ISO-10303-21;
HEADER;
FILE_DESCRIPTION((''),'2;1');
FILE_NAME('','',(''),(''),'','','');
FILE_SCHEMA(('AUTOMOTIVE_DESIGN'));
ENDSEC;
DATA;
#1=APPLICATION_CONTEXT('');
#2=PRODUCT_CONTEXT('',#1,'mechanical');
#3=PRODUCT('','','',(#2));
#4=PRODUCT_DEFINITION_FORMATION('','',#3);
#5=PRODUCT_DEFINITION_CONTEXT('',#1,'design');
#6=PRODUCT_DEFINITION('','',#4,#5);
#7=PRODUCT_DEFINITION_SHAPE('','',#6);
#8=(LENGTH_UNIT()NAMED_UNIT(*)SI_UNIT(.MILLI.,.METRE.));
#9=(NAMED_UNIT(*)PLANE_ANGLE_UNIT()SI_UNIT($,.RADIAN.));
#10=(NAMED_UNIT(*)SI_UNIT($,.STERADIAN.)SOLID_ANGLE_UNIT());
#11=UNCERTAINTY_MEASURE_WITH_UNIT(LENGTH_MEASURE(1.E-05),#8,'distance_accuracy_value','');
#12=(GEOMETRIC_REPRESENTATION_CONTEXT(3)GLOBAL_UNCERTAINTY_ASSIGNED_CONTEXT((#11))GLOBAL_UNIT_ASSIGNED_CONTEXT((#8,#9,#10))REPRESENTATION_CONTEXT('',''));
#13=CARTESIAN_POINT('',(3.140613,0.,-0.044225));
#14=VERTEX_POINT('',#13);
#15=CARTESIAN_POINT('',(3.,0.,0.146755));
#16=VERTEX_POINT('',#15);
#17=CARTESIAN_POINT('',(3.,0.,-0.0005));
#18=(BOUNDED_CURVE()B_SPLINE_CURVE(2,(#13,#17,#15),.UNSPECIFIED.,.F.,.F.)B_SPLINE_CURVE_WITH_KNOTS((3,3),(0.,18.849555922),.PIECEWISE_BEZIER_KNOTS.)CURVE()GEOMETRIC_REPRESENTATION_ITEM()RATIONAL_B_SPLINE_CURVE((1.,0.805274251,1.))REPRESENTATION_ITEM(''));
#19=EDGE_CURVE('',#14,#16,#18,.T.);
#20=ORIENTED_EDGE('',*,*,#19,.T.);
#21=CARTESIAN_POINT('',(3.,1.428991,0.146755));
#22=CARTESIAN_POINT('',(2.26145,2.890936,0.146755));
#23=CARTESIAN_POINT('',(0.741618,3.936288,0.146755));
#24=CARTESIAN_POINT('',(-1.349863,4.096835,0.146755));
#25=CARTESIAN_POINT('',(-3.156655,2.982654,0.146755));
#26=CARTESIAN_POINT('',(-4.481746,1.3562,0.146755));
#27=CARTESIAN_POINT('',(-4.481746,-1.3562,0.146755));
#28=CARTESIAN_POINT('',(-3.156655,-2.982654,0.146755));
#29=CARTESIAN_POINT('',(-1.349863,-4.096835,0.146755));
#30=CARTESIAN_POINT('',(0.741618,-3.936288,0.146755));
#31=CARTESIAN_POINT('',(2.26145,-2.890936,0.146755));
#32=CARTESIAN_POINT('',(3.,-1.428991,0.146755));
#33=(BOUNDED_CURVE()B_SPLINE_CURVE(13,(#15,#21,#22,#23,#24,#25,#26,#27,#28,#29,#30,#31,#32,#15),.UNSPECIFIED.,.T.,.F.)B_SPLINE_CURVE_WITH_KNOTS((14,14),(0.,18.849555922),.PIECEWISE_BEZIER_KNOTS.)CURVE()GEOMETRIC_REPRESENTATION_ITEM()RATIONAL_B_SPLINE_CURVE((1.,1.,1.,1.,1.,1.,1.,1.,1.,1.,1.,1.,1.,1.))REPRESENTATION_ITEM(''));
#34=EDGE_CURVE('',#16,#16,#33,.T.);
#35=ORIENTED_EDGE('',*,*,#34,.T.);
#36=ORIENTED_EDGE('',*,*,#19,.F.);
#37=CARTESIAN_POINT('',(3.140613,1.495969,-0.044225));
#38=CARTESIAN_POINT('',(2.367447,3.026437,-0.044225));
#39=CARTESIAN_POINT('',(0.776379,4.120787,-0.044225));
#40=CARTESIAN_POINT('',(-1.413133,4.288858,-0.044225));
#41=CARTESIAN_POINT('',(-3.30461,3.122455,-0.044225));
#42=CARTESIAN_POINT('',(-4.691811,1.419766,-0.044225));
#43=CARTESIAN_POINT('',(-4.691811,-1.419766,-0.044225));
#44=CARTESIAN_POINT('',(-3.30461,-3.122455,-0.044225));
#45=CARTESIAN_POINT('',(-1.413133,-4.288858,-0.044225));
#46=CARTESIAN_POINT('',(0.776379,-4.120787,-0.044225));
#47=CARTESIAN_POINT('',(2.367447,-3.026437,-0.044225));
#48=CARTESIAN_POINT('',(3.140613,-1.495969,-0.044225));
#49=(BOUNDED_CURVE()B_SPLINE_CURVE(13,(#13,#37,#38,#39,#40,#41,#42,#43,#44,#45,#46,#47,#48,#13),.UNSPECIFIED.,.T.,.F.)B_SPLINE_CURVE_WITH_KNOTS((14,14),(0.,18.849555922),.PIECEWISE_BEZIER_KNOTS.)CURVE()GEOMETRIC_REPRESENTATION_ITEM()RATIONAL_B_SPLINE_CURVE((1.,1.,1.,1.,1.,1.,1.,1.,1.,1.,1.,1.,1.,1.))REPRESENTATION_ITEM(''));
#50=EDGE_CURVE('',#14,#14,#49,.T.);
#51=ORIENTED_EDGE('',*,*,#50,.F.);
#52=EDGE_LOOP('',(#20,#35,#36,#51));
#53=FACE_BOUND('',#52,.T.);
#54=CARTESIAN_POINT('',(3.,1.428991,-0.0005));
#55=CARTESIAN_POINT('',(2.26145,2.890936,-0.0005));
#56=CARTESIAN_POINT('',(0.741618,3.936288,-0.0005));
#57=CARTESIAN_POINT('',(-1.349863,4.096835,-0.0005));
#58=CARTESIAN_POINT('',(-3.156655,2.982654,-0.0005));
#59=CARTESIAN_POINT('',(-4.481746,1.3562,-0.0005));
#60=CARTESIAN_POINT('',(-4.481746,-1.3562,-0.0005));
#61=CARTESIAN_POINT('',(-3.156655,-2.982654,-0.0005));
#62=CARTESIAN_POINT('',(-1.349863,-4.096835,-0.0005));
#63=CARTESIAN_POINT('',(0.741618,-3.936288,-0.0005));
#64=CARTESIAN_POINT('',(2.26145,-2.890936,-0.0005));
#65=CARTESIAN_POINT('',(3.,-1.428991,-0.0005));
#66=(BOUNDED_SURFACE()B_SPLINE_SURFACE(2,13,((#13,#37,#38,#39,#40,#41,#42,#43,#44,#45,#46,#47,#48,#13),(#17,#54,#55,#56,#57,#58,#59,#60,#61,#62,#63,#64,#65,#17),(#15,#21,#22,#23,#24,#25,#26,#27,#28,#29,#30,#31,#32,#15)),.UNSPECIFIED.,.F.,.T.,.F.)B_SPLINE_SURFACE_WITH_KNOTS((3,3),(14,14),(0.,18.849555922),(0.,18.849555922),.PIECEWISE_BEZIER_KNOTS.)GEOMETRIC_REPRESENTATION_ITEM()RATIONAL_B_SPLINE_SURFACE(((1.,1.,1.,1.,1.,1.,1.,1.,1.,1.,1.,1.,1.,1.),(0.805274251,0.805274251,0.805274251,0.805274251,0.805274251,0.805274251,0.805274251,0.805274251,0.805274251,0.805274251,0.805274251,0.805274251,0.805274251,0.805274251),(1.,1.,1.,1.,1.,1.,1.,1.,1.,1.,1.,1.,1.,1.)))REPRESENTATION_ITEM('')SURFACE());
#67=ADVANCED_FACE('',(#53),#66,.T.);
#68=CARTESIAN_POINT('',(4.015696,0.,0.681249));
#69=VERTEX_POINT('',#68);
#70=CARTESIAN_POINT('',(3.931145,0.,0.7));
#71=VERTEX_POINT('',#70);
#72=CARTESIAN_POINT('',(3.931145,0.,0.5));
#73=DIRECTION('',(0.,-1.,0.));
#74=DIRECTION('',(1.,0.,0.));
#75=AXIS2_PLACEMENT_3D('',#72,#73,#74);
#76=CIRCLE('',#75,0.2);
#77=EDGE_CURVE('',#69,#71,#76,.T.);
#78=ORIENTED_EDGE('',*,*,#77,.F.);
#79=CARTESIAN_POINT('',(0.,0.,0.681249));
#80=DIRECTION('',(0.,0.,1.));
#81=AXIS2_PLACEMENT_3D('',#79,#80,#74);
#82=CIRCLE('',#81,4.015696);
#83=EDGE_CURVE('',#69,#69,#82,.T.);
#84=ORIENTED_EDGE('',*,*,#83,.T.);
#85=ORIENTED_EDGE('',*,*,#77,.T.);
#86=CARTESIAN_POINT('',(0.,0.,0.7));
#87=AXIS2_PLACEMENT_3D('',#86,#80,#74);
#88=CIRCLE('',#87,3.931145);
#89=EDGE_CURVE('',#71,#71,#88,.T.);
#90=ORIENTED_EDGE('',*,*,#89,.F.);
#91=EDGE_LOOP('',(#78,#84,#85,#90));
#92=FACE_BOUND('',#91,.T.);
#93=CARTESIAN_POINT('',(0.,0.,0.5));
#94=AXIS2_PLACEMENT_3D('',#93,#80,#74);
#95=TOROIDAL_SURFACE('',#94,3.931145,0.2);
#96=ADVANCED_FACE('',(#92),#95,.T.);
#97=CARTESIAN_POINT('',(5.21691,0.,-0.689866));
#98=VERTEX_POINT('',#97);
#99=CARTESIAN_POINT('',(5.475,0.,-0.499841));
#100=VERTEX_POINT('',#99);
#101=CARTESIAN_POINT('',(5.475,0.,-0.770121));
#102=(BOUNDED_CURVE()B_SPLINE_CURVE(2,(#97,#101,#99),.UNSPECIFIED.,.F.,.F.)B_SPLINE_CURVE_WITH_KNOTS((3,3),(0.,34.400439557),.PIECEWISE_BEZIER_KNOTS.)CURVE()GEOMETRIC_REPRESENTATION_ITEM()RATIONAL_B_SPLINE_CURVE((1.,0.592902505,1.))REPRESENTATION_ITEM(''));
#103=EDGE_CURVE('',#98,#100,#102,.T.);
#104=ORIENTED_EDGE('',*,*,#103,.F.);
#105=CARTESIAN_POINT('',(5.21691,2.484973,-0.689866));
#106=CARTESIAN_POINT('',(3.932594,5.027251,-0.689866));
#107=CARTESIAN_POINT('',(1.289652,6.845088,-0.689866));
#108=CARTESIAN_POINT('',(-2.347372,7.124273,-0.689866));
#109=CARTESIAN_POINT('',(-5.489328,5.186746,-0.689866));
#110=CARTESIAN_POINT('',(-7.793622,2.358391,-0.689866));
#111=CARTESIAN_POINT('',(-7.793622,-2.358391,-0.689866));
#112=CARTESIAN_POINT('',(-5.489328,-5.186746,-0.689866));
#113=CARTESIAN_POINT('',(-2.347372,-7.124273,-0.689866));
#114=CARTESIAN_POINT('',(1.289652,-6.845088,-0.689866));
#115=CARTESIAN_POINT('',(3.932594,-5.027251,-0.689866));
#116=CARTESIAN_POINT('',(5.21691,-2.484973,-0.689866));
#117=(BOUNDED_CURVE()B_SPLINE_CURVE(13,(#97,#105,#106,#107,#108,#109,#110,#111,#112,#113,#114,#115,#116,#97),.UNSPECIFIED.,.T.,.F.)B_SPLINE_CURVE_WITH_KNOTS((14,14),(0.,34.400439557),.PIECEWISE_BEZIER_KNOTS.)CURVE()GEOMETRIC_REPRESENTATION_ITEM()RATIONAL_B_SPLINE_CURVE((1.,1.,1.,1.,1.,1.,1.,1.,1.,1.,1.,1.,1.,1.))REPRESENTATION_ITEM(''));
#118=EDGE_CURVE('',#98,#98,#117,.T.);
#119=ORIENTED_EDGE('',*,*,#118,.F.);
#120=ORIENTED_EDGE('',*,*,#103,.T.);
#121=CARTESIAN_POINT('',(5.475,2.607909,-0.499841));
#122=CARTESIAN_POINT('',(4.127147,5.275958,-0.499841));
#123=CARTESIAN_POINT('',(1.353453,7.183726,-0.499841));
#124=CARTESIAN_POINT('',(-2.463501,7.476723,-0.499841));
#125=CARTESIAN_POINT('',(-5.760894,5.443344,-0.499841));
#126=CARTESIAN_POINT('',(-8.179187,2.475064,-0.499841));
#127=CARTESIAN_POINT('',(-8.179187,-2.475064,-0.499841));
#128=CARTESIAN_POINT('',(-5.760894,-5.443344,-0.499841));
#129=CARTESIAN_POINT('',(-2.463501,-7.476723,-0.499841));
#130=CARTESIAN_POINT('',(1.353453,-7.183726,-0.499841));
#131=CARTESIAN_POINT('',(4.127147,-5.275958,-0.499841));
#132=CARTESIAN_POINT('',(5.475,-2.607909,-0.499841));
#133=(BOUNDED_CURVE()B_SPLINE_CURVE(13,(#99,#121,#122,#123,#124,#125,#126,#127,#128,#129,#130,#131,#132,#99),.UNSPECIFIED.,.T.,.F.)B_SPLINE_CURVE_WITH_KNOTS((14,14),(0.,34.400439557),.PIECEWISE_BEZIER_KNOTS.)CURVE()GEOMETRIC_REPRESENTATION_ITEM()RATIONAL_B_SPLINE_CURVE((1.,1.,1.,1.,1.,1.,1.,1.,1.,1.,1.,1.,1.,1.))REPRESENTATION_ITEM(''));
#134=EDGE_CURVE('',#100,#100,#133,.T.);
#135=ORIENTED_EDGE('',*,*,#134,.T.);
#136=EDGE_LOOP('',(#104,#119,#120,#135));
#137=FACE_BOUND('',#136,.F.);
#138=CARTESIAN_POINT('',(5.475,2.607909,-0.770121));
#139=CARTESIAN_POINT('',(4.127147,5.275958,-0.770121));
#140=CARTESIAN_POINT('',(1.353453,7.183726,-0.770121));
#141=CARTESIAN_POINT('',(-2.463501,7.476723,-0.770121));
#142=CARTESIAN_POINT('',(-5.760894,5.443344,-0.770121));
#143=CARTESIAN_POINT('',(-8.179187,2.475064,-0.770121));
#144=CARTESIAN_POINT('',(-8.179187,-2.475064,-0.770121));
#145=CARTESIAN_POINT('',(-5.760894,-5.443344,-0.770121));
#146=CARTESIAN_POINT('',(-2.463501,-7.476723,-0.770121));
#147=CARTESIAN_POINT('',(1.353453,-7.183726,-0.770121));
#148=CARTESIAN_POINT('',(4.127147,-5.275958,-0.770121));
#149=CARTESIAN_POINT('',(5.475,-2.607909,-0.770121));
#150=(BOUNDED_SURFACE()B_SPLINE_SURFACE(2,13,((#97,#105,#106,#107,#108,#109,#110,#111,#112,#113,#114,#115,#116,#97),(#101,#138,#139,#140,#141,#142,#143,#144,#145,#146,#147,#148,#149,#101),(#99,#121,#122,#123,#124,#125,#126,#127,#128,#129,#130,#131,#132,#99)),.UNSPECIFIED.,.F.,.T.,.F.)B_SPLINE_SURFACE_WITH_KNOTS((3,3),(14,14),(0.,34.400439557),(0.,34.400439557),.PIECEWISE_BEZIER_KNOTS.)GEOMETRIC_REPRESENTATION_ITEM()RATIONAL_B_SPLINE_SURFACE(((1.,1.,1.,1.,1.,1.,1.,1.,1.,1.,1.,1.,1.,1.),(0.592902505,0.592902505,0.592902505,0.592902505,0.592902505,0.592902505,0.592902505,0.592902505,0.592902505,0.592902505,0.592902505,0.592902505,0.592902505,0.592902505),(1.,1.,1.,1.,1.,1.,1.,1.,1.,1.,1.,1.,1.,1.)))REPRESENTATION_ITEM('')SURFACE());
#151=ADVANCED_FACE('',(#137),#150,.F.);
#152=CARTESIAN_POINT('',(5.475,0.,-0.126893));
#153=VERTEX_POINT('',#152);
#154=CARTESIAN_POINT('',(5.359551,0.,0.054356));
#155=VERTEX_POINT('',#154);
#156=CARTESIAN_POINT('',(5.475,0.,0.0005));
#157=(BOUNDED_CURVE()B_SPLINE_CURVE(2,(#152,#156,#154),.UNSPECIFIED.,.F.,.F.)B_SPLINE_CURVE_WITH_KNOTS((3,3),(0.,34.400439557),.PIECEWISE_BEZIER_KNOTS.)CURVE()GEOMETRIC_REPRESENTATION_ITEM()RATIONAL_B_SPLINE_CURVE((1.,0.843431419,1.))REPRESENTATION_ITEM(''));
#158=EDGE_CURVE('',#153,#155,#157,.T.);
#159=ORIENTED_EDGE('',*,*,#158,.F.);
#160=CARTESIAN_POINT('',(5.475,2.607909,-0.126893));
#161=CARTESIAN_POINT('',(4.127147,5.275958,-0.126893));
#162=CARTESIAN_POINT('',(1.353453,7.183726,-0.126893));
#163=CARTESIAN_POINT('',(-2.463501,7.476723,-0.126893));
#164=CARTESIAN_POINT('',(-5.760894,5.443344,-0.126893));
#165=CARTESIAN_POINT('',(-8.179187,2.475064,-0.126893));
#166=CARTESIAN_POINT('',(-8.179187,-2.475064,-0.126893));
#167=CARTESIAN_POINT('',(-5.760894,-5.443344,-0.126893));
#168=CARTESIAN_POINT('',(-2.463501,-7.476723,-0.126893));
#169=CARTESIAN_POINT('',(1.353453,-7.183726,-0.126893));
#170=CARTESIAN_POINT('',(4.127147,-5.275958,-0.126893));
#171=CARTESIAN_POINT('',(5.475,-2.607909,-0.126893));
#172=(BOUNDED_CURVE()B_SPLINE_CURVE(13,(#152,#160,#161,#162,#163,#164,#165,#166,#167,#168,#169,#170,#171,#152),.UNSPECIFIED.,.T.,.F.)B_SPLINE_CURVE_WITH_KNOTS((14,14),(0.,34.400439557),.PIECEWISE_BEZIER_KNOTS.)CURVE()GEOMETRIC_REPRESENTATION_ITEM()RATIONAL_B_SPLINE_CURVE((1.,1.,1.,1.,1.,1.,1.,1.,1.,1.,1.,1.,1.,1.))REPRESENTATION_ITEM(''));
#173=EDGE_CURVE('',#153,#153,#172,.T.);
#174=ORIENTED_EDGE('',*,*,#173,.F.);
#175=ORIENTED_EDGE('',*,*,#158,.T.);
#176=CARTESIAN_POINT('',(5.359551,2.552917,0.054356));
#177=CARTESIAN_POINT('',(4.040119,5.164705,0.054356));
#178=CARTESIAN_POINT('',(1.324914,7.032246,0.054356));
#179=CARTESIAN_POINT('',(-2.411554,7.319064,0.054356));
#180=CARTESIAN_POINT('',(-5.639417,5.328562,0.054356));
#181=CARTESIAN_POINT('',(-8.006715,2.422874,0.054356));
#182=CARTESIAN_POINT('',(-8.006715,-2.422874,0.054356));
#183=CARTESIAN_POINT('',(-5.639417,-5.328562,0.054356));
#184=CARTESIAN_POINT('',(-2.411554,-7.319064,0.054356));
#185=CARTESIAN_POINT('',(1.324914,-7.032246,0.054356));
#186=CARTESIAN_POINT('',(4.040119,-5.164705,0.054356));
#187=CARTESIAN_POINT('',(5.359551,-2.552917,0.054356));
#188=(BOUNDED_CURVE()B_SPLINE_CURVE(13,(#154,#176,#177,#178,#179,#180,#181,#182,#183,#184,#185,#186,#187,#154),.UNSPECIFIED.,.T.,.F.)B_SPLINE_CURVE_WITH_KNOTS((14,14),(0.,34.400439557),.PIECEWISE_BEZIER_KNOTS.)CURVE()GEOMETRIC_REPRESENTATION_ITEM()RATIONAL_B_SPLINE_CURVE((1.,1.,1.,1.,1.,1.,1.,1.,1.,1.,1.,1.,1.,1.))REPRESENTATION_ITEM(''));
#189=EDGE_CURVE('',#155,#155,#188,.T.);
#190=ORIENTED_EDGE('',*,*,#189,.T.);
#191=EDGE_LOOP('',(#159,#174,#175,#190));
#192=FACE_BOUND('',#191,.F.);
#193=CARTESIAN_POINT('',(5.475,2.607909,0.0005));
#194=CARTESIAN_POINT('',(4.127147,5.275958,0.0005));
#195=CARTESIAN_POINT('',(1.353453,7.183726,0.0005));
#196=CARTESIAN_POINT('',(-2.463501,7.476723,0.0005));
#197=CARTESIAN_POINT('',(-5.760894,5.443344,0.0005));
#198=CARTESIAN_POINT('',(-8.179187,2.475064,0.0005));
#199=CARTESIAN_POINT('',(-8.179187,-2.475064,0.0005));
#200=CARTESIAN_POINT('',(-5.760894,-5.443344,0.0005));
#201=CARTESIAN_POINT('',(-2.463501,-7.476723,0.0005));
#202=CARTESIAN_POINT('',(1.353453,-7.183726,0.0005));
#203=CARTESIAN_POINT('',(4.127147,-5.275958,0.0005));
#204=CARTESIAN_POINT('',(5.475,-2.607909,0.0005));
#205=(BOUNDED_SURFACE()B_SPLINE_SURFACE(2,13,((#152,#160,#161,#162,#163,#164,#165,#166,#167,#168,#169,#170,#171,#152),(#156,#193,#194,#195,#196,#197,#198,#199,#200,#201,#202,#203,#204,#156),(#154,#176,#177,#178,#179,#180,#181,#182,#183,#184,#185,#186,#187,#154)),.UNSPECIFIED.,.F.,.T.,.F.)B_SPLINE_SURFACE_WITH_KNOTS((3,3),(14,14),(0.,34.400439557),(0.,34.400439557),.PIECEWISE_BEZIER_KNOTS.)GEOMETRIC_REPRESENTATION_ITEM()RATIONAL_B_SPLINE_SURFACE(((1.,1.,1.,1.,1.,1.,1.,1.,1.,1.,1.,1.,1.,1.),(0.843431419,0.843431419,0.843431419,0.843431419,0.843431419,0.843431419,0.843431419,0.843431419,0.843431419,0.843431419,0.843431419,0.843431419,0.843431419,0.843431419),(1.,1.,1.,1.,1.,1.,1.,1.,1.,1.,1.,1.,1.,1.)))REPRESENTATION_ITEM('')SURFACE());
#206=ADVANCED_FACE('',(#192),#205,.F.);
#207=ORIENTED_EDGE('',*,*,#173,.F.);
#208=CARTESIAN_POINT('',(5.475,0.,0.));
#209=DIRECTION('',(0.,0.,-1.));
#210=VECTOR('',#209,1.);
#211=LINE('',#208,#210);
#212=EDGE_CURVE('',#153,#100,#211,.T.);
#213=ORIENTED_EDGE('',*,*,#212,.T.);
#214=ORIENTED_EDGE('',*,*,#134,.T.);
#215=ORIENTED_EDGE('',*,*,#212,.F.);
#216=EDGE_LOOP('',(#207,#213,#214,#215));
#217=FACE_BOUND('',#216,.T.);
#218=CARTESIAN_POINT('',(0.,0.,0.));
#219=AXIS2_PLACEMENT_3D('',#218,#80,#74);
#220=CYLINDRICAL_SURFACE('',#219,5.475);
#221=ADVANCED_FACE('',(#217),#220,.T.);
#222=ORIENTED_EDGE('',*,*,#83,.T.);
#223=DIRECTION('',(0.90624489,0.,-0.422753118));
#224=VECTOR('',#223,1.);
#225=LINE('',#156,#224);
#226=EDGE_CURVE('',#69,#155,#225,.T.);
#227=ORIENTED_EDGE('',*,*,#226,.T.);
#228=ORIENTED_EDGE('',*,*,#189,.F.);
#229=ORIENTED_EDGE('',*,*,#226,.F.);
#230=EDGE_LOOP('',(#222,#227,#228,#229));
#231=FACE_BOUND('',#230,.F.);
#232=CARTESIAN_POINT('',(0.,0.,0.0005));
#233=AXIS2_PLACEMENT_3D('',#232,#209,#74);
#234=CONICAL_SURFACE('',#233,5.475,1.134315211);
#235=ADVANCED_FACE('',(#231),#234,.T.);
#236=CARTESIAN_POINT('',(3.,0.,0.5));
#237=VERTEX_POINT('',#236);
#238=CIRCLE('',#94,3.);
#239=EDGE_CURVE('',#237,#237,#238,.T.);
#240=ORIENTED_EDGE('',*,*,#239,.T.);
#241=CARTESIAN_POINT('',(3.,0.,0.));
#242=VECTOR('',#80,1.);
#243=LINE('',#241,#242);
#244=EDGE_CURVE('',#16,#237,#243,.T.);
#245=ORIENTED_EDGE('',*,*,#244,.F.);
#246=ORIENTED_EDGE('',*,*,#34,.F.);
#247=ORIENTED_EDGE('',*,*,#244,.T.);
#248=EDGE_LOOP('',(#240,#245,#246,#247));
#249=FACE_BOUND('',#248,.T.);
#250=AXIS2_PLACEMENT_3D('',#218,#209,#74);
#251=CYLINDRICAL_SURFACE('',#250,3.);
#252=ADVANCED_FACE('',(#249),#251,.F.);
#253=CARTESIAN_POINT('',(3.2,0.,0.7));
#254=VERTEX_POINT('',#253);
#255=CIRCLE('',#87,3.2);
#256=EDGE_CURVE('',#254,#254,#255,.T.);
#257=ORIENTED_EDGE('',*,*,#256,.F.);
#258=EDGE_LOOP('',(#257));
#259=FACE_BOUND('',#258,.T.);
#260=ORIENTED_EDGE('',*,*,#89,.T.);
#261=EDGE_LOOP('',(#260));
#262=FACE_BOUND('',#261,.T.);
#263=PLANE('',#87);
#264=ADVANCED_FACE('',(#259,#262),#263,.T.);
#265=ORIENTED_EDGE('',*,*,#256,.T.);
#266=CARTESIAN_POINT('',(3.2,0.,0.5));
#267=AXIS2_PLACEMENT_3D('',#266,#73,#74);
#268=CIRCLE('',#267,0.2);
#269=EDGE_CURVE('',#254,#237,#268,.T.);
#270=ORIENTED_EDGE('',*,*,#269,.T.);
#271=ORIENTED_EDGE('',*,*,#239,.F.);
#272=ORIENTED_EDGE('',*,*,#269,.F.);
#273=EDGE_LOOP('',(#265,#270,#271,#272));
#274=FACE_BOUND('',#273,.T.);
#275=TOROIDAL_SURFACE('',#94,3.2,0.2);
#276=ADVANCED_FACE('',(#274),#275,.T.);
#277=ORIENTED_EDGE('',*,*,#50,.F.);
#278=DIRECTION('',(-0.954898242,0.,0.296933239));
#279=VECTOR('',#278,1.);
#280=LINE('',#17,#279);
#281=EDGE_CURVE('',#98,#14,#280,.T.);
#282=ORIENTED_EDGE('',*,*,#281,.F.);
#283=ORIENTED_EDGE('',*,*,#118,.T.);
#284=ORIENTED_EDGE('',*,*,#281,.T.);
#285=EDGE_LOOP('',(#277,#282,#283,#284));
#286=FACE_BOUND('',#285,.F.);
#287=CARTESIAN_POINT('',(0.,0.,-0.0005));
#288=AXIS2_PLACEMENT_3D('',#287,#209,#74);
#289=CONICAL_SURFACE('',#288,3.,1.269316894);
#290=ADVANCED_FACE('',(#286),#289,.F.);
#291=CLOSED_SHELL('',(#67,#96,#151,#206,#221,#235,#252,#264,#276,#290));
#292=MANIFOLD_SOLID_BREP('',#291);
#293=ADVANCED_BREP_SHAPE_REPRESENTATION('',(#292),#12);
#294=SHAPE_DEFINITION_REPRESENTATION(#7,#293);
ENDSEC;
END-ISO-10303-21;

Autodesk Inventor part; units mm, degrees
ref_plane "YZ Plane" through (0, 0, 0) normal (1, 0, 0) x (0, 1, 0)
ref_plane "XZ Plane" through (0, 0, 0) normal (0, 1, 0) x (-1, 0, 0)
ref_plane "XY Plane" through (0, 0, 0) normal (0, 0, 1) x (1, 0, 0)
sketch "Szkic1" plane through (0, 0, 0) normal (0, 0, 1) x (1, 0, 0)
  circle A0 centre (0, 0) radius 3
  circle A1 centre (0, 0) radius 5.475
  dimension "d3" = 6
  dimension "d4" = 10.95
extrude "Wyciągnięcie proste1" add sketch "Szkic1" along normal mid plane 1.4
chamfer "Faza1" distance 1.5 distance2 0.7 1 edges at (-5.475, 0, 0.7) measured on face at (4.597, -0.4368, 0.7)
chamfer "Faza2" distance 2.25 distance2 0.7 1 edges at (-3, 0, -0.7) measured on face at (4.597, -0.4368, -0.7)
fillet "Zaokrąglenie2" radius 0.2 8 edges at (-3, 0, -0.0005) (-3, 0, 0) (-5.2495, 0, -0.7) (-5.475, 0, -0.7) (-5.475, 0, 0) (-5.475, 0, 0.0005) (-3.9755, 0, 0.7) (-3, 0, 0.7)
properties part number "PODKŁADKA M6x11" material "Stal"
